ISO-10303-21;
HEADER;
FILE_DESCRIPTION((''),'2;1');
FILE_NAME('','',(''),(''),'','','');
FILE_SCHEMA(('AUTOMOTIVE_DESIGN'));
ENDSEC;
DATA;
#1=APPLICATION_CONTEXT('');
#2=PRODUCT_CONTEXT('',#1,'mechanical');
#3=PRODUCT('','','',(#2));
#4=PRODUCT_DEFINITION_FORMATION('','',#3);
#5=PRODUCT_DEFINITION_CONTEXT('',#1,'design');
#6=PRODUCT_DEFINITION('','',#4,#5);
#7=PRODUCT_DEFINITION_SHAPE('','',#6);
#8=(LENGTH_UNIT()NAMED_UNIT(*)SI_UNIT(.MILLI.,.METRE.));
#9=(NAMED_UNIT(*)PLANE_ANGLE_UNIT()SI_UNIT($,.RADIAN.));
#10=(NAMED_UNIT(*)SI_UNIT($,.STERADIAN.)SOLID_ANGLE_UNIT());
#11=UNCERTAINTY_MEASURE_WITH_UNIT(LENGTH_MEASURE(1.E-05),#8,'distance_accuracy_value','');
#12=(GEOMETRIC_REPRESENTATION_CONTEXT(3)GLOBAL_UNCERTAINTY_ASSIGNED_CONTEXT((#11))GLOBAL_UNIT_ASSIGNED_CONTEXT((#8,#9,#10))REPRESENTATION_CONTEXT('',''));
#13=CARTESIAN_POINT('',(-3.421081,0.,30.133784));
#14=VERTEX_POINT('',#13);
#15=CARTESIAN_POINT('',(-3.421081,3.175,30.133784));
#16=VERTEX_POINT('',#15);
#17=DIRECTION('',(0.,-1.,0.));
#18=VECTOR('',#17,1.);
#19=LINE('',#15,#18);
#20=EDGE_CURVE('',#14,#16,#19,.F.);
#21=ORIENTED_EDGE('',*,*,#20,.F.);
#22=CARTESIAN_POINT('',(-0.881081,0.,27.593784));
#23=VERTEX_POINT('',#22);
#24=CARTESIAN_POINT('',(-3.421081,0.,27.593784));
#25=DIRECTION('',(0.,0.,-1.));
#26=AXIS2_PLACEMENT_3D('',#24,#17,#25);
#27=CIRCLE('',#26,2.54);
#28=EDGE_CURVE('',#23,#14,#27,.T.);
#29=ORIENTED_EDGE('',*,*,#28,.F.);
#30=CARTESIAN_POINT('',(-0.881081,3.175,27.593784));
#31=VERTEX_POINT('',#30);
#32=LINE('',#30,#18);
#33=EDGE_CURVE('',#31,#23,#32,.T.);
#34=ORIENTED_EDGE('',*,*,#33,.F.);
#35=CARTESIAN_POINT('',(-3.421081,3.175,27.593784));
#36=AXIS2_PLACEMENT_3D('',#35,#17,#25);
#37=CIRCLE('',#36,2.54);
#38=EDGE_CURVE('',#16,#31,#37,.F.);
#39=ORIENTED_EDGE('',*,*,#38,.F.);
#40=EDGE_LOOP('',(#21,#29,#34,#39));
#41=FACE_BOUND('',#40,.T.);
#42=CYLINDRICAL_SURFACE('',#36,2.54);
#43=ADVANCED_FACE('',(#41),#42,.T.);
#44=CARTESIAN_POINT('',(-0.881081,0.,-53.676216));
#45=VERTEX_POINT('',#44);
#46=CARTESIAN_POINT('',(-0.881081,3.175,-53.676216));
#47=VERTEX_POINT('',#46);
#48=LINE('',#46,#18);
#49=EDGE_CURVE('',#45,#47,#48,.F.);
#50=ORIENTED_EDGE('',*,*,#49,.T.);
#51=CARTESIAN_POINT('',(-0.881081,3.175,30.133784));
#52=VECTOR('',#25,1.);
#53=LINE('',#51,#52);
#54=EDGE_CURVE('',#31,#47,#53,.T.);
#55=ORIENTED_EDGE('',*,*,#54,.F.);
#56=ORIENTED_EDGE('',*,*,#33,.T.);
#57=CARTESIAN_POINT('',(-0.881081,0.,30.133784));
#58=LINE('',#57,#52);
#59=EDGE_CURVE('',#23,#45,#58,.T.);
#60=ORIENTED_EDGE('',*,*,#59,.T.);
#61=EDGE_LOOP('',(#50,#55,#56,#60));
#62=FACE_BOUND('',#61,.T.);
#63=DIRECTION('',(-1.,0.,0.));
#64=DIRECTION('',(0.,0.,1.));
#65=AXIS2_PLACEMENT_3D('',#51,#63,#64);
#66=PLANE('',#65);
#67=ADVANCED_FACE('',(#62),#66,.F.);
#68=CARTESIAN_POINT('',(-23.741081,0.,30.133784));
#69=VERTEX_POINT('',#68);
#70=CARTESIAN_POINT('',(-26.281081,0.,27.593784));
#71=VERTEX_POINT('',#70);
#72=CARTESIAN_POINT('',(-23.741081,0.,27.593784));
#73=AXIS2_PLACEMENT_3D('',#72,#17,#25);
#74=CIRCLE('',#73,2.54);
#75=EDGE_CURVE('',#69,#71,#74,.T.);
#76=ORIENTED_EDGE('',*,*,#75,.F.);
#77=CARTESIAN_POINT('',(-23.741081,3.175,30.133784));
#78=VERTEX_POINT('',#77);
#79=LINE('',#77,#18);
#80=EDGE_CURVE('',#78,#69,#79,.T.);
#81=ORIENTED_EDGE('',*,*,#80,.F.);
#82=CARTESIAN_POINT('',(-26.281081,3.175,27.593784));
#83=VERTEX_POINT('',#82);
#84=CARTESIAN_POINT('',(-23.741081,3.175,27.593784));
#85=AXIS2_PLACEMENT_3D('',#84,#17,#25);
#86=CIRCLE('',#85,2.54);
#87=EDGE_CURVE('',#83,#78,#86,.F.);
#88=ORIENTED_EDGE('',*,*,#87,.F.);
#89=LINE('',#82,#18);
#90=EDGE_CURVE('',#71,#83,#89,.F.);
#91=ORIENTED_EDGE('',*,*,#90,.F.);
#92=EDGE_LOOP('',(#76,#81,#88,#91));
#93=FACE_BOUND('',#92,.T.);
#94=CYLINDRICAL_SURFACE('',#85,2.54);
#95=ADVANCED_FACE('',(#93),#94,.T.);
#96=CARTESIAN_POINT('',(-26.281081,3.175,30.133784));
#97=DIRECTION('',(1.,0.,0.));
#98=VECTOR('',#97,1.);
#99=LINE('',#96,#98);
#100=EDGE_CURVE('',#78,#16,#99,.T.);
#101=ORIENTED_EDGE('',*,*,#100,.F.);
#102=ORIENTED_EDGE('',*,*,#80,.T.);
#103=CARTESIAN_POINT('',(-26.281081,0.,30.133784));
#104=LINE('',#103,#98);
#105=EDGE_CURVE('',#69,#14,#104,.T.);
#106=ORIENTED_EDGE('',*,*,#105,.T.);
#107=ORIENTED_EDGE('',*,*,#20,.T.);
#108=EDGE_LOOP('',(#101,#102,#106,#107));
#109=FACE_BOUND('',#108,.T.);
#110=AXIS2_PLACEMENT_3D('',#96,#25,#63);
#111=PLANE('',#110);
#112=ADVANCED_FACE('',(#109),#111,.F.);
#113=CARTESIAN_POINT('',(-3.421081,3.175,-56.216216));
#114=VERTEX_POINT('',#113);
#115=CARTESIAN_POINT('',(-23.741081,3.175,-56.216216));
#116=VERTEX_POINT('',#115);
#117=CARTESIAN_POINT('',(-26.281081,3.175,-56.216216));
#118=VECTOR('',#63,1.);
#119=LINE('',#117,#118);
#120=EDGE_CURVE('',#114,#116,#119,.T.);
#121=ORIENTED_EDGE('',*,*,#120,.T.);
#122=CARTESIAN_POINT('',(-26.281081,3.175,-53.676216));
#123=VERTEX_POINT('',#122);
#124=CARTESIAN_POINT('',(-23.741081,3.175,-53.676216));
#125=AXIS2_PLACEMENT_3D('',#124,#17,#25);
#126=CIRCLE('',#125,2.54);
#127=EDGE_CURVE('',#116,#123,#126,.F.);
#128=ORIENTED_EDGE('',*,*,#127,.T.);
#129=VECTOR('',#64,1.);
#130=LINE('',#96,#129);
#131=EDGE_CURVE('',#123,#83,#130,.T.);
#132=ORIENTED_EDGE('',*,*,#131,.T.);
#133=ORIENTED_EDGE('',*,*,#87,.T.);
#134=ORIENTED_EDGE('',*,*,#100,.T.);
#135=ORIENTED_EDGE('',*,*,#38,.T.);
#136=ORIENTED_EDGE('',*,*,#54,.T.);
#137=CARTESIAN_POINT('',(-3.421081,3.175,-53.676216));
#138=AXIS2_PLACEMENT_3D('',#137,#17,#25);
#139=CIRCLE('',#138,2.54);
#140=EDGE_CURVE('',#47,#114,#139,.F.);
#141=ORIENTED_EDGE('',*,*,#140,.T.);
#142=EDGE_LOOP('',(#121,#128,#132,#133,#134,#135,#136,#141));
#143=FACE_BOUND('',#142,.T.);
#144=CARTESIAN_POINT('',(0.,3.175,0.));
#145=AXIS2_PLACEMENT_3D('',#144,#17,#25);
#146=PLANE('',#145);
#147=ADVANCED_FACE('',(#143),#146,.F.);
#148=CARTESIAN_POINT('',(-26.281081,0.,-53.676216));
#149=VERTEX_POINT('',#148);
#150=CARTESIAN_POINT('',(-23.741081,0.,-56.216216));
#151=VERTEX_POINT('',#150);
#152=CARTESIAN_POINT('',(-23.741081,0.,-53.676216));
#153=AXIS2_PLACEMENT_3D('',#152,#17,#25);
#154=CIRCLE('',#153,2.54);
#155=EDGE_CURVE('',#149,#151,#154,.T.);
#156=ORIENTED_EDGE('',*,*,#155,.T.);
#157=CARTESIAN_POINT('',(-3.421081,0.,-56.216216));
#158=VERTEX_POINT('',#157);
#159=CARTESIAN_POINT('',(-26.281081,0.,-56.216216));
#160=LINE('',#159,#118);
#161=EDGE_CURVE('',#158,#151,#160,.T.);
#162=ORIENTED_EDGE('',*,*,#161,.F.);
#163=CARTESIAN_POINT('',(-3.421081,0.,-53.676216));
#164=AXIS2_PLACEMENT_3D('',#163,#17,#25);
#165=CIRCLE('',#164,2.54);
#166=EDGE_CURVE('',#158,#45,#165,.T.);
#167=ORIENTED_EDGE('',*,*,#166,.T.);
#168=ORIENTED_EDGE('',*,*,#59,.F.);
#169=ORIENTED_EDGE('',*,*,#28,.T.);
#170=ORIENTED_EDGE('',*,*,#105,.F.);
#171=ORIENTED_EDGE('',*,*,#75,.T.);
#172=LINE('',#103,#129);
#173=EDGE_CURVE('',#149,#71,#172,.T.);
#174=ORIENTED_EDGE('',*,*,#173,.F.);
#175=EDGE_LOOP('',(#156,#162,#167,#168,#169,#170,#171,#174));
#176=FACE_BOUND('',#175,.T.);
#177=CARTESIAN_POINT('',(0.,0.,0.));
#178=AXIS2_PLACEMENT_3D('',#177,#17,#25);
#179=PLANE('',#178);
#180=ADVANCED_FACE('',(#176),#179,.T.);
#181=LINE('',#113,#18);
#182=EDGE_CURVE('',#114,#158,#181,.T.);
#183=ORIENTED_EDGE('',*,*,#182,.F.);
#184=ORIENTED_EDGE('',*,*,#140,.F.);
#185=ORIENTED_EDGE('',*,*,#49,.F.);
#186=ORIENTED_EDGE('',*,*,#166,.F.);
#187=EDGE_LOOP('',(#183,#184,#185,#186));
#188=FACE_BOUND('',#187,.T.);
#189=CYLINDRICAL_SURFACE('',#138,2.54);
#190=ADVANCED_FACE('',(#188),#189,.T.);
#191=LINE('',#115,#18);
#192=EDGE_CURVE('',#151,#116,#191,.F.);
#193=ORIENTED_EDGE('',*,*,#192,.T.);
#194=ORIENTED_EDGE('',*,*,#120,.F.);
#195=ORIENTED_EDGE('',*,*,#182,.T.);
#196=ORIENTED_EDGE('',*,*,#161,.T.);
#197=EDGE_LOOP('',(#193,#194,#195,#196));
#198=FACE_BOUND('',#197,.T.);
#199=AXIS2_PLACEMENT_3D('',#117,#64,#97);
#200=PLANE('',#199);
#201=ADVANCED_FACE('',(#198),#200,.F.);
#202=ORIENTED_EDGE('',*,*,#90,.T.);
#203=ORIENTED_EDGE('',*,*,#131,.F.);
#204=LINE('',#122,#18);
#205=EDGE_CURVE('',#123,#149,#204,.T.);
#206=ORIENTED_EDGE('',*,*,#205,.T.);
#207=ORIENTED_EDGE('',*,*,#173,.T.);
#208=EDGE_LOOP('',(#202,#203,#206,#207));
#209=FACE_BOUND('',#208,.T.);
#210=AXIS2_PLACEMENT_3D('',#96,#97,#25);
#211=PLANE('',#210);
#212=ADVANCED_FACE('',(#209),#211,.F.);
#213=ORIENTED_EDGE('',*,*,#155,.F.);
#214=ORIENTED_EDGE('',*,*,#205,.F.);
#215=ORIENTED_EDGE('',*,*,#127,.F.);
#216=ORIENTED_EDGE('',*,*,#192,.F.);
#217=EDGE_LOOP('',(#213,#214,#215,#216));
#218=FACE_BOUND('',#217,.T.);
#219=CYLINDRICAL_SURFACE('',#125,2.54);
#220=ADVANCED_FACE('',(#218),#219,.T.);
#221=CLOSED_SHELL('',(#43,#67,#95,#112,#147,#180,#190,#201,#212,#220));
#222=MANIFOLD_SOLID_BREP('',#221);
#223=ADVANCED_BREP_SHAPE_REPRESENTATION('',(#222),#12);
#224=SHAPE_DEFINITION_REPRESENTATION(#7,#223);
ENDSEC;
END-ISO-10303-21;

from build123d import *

# Parameters (mm, degrees)
SKETCH1_W           = 25.4
SKETCH1_H           = 86.35
BOSS_EXTRUDE1_DEPTH = 3.175
FILLET1_R           = 2.54


with BuildPart() as part:
    # Sketch1 → Boss-Extrude1 (new body)
    with BuildSketch(Plane(origin=(0, 0, 0), x_dir=(1, 0, 0), z_dir=(0, 1, 0))):
        with Locations((-13.581081081, 13.041216216)):
            Rectangle(SKETCH1_W, SKETCH1_H)
    extrude(amount=BOSS_EXTRUDE1_DEPTH)

    # Fillet1
    fillet1_edges = [part.edges().sort_by_distance(p)[0] for p in [
        (-26.281081081, 1.5875, -56.216216216),
        (-0.881081081, 1.5875, -56.216216216),
        (-0.881081081, 1.5875, 30.133783784),
        (-26.281081081, 1.5875, 30.133783784),
    ]]
    fillet(fillet1_edges, radius=FILLET1_R)


solid = part.part
